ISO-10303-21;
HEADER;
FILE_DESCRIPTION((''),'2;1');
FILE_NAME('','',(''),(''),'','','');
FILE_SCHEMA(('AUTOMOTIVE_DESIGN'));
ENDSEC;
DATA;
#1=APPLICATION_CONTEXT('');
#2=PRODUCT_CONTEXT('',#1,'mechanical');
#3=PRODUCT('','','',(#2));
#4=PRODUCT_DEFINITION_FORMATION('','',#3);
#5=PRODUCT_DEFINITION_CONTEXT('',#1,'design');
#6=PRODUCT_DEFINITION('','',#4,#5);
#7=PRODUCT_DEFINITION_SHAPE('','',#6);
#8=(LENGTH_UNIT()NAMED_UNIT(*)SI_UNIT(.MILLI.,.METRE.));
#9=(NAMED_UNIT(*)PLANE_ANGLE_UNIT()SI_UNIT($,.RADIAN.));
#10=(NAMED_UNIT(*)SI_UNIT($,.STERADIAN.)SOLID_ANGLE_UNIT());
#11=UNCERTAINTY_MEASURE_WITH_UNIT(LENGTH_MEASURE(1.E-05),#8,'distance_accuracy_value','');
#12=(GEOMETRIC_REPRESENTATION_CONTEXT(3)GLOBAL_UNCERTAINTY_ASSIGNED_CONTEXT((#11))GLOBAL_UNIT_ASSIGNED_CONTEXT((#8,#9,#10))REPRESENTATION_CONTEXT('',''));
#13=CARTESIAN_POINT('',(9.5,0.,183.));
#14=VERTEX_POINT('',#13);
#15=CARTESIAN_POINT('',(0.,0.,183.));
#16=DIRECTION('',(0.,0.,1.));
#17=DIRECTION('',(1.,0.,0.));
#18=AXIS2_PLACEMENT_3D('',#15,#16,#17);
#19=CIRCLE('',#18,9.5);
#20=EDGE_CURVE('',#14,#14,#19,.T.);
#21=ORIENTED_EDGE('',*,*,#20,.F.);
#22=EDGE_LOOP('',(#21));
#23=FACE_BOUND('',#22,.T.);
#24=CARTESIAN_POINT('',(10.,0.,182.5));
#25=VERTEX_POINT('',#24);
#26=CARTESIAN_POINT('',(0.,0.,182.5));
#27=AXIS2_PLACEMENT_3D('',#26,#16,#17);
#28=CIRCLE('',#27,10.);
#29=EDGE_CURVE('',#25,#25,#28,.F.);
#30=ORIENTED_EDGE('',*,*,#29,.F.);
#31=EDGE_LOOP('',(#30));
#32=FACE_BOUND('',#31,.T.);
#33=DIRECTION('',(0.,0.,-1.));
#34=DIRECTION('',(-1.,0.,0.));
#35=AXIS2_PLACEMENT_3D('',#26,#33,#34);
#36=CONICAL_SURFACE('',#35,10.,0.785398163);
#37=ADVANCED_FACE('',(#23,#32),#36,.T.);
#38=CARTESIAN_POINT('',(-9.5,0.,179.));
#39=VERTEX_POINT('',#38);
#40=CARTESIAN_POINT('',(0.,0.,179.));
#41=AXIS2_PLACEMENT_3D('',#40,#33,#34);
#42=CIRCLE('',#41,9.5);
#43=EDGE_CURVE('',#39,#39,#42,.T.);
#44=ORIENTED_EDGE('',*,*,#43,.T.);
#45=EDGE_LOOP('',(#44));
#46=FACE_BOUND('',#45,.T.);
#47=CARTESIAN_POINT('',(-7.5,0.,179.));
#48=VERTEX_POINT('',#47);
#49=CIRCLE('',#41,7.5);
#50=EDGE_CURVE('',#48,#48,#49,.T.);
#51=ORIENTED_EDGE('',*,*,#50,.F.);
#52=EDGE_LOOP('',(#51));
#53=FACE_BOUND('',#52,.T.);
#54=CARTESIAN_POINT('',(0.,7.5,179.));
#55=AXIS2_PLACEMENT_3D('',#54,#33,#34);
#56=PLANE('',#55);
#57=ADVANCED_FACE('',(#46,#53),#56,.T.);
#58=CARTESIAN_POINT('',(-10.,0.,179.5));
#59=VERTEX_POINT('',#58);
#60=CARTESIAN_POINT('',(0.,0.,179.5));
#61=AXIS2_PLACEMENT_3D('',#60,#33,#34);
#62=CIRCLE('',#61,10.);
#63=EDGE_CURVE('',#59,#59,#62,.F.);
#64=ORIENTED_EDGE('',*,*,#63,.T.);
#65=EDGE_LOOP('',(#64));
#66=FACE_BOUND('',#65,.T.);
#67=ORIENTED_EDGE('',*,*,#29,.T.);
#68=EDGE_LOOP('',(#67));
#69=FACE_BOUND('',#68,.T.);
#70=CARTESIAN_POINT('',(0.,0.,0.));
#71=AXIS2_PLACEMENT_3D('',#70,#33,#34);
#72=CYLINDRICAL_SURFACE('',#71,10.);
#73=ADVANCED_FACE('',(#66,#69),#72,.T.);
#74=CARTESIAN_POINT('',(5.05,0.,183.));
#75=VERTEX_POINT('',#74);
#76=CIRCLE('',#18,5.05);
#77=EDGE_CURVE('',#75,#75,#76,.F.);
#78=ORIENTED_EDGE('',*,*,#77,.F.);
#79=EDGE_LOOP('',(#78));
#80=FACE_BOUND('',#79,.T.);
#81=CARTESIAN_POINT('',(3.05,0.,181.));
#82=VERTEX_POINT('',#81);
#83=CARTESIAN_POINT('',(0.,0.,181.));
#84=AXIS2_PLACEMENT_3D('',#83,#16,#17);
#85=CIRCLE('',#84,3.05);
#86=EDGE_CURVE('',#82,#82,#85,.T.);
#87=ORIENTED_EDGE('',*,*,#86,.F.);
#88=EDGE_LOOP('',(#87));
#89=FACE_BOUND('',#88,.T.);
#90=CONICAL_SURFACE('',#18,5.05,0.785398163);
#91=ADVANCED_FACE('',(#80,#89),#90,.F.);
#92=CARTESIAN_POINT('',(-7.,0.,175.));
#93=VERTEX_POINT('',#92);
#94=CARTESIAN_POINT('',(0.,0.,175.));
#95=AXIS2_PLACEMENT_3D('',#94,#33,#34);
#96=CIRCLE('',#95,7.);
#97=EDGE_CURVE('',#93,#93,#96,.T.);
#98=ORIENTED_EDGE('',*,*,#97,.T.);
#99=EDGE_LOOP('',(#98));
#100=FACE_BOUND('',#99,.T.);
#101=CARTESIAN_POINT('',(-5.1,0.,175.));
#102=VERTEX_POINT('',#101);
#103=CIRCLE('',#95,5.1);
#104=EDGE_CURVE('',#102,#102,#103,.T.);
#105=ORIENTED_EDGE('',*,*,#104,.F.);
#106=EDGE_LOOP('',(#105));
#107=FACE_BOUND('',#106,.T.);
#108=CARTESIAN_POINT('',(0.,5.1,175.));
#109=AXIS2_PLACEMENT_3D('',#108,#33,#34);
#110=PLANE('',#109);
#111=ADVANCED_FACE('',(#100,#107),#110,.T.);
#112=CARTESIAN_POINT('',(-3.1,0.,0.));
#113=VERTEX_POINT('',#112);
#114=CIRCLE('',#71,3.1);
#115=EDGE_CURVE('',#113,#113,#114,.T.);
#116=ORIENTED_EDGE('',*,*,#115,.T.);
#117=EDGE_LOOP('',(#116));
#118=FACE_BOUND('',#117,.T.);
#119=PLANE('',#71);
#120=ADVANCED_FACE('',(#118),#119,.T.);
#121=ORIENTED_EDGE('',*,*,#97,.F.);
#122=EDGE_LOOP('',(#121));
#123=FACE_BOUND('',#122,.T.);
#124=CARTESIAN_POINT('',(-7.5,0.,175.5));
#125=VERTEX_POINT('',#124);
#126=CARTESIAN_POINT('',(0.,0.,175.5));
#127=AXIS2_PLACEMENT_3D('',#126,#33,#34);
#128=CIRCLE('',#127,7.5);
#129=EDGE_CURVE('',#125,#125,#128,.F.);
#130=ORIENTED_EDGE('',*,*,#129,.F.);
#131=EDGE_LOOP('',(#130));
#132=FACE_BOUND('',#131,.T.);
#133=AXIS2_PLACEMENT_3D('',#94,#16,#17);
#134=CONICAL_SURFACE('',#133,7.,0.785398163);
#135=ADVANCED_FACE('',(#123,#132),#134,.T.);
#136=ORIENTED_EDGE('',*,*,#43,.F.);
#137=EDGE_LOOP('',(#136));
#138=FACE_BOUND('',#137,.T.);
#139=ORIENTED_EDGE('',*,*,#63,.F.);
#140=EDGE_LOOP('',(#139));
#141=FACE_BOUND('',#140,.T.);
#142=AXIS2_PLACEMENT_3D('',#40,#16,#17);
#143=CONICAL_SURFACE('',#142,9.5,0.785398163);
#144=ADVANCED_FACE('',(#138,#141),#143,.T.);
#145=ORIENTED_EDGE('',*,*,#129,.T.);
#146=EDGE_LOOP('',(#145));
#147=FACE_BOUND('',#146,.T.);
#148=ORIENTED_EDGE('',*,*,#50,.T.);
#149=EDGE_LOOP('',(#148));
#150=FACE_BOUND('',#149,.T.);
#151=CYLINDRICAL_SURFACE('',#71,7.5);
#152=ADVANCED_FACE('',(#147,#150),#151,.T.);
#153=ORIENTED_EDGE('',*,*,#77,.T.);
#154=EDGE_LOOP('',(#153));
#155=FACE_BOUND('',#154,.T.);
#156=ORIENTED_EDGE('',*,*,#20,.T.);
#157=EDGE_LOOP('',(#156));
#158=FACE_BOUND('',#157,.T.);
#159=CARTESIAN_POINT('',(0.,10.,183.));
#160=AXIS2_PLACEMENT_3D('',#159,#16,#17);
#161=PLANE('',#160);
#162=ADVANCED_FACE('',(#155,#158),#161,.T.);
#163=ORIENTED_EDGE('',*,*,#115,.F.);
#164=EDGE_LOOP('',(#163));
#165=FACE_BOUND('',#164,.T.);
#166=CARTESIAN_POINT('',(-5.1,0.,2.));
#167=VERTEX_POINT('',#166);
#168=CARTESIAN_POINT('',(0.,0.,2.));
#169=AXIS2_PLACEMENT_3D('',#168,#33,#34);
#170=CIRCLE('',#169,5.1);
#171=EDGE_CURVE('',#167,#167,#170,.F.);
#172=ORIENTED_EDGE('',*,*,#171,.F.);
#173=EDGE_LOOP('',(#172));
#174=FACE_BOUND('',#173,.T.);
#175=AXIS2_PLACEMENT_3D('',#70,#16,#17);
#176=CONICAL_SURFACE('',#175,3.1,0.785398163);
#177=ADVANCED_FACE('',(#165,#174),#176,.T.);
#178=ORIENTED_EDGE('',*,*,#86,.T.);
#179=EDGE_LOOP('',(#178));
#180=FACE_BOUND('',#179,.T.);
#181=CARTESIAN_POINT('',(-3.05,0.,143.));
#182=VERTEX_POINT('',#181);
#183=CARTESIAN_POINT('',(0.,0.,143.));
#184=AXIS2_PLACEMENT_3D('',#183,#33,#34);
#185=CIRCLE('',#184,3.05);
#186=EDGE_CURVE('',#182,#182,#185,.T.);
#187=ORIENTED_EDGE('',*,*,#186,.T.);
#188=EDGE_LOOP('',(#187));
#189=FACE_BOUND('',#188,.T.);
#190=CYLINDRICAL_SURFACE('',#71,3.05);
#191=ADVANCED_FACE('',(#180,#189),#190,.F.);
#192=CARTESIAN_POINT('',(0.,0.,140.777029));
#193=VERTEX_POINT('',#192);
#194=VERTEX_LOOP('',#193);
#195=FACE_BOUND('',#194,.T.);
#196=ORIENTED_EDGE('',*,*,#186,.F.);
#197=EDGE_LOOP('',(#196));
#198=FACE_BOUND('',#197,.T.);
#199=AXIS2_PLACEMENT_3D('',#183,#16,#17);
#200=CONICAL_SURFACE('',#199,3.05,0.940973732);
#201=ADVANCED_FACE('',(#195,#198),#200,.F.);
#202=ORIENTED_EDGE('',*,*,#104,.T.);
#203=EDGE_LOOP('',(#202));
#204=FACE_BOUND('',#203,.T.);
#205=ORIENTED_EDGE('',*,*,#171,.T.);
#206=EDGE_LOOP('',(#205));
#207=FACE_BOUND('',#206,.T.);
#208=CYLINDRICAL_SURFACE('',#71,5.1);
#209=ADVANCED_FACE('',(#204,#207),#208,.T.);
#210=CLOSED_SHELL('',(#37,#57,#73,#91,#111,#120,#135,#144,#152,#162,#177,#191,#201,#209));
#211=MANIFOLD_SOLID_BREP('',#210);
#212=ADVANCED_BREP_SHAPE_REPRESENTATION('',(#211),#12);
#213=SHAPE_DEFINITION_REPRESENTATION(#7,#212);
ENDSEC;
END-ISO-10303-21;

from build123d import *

# Parameters (mm, degrees)
CHAMFER_1_SIZE = 2
CHAMFER_2_SIZE = 0.5


with BuildPart() as part:
    # Эскиз1 → Повернуть1 (revolve)
    with BuildSketch(Plane(origin=(0, 0, 0), x_dir=(0, 0, -1), z_dir=(1, 0, 0)), mode=Mode.PRIVATE) as revolve_1_sk:
        Polygon((0, 0), (0, 5.1), (-175, 5.1), (-175, 7.5), (-179, 7.5), (-179, 10), (-183, 10), (-183, 3.05), (-143, 3.05), (-140.777028701, 0), align=None)
    revolve(revolve_1_sk.sketch.rotate(Axis((0, 0, 0), (0, 0, 1)), 90), axis=Axis((0, 0, 0), (0, 0, 1)))  # turned: the seam where the file's is

    # Фаска1
    chamfer_1_edges = [part.edges().sort_by_distance(p)[0] for p in [
        (5.1, 0, 0),
        (3.05, 0, 183),
    ]]
    chamfer(chamfer_1_edges, length=CHAMFER_1_SIZE)

    # Фаска2
    chamfer_2_edges = [part.edges().sort_by_distance(p)[0] for p in [
        (10, 0, 183),
        (10, 0, 179),
        (7.5, 0, 175),
    ]]
    chamfer(chamfer_2_edges, length=CHAMFER_2_SIZE)


solid = part.part
